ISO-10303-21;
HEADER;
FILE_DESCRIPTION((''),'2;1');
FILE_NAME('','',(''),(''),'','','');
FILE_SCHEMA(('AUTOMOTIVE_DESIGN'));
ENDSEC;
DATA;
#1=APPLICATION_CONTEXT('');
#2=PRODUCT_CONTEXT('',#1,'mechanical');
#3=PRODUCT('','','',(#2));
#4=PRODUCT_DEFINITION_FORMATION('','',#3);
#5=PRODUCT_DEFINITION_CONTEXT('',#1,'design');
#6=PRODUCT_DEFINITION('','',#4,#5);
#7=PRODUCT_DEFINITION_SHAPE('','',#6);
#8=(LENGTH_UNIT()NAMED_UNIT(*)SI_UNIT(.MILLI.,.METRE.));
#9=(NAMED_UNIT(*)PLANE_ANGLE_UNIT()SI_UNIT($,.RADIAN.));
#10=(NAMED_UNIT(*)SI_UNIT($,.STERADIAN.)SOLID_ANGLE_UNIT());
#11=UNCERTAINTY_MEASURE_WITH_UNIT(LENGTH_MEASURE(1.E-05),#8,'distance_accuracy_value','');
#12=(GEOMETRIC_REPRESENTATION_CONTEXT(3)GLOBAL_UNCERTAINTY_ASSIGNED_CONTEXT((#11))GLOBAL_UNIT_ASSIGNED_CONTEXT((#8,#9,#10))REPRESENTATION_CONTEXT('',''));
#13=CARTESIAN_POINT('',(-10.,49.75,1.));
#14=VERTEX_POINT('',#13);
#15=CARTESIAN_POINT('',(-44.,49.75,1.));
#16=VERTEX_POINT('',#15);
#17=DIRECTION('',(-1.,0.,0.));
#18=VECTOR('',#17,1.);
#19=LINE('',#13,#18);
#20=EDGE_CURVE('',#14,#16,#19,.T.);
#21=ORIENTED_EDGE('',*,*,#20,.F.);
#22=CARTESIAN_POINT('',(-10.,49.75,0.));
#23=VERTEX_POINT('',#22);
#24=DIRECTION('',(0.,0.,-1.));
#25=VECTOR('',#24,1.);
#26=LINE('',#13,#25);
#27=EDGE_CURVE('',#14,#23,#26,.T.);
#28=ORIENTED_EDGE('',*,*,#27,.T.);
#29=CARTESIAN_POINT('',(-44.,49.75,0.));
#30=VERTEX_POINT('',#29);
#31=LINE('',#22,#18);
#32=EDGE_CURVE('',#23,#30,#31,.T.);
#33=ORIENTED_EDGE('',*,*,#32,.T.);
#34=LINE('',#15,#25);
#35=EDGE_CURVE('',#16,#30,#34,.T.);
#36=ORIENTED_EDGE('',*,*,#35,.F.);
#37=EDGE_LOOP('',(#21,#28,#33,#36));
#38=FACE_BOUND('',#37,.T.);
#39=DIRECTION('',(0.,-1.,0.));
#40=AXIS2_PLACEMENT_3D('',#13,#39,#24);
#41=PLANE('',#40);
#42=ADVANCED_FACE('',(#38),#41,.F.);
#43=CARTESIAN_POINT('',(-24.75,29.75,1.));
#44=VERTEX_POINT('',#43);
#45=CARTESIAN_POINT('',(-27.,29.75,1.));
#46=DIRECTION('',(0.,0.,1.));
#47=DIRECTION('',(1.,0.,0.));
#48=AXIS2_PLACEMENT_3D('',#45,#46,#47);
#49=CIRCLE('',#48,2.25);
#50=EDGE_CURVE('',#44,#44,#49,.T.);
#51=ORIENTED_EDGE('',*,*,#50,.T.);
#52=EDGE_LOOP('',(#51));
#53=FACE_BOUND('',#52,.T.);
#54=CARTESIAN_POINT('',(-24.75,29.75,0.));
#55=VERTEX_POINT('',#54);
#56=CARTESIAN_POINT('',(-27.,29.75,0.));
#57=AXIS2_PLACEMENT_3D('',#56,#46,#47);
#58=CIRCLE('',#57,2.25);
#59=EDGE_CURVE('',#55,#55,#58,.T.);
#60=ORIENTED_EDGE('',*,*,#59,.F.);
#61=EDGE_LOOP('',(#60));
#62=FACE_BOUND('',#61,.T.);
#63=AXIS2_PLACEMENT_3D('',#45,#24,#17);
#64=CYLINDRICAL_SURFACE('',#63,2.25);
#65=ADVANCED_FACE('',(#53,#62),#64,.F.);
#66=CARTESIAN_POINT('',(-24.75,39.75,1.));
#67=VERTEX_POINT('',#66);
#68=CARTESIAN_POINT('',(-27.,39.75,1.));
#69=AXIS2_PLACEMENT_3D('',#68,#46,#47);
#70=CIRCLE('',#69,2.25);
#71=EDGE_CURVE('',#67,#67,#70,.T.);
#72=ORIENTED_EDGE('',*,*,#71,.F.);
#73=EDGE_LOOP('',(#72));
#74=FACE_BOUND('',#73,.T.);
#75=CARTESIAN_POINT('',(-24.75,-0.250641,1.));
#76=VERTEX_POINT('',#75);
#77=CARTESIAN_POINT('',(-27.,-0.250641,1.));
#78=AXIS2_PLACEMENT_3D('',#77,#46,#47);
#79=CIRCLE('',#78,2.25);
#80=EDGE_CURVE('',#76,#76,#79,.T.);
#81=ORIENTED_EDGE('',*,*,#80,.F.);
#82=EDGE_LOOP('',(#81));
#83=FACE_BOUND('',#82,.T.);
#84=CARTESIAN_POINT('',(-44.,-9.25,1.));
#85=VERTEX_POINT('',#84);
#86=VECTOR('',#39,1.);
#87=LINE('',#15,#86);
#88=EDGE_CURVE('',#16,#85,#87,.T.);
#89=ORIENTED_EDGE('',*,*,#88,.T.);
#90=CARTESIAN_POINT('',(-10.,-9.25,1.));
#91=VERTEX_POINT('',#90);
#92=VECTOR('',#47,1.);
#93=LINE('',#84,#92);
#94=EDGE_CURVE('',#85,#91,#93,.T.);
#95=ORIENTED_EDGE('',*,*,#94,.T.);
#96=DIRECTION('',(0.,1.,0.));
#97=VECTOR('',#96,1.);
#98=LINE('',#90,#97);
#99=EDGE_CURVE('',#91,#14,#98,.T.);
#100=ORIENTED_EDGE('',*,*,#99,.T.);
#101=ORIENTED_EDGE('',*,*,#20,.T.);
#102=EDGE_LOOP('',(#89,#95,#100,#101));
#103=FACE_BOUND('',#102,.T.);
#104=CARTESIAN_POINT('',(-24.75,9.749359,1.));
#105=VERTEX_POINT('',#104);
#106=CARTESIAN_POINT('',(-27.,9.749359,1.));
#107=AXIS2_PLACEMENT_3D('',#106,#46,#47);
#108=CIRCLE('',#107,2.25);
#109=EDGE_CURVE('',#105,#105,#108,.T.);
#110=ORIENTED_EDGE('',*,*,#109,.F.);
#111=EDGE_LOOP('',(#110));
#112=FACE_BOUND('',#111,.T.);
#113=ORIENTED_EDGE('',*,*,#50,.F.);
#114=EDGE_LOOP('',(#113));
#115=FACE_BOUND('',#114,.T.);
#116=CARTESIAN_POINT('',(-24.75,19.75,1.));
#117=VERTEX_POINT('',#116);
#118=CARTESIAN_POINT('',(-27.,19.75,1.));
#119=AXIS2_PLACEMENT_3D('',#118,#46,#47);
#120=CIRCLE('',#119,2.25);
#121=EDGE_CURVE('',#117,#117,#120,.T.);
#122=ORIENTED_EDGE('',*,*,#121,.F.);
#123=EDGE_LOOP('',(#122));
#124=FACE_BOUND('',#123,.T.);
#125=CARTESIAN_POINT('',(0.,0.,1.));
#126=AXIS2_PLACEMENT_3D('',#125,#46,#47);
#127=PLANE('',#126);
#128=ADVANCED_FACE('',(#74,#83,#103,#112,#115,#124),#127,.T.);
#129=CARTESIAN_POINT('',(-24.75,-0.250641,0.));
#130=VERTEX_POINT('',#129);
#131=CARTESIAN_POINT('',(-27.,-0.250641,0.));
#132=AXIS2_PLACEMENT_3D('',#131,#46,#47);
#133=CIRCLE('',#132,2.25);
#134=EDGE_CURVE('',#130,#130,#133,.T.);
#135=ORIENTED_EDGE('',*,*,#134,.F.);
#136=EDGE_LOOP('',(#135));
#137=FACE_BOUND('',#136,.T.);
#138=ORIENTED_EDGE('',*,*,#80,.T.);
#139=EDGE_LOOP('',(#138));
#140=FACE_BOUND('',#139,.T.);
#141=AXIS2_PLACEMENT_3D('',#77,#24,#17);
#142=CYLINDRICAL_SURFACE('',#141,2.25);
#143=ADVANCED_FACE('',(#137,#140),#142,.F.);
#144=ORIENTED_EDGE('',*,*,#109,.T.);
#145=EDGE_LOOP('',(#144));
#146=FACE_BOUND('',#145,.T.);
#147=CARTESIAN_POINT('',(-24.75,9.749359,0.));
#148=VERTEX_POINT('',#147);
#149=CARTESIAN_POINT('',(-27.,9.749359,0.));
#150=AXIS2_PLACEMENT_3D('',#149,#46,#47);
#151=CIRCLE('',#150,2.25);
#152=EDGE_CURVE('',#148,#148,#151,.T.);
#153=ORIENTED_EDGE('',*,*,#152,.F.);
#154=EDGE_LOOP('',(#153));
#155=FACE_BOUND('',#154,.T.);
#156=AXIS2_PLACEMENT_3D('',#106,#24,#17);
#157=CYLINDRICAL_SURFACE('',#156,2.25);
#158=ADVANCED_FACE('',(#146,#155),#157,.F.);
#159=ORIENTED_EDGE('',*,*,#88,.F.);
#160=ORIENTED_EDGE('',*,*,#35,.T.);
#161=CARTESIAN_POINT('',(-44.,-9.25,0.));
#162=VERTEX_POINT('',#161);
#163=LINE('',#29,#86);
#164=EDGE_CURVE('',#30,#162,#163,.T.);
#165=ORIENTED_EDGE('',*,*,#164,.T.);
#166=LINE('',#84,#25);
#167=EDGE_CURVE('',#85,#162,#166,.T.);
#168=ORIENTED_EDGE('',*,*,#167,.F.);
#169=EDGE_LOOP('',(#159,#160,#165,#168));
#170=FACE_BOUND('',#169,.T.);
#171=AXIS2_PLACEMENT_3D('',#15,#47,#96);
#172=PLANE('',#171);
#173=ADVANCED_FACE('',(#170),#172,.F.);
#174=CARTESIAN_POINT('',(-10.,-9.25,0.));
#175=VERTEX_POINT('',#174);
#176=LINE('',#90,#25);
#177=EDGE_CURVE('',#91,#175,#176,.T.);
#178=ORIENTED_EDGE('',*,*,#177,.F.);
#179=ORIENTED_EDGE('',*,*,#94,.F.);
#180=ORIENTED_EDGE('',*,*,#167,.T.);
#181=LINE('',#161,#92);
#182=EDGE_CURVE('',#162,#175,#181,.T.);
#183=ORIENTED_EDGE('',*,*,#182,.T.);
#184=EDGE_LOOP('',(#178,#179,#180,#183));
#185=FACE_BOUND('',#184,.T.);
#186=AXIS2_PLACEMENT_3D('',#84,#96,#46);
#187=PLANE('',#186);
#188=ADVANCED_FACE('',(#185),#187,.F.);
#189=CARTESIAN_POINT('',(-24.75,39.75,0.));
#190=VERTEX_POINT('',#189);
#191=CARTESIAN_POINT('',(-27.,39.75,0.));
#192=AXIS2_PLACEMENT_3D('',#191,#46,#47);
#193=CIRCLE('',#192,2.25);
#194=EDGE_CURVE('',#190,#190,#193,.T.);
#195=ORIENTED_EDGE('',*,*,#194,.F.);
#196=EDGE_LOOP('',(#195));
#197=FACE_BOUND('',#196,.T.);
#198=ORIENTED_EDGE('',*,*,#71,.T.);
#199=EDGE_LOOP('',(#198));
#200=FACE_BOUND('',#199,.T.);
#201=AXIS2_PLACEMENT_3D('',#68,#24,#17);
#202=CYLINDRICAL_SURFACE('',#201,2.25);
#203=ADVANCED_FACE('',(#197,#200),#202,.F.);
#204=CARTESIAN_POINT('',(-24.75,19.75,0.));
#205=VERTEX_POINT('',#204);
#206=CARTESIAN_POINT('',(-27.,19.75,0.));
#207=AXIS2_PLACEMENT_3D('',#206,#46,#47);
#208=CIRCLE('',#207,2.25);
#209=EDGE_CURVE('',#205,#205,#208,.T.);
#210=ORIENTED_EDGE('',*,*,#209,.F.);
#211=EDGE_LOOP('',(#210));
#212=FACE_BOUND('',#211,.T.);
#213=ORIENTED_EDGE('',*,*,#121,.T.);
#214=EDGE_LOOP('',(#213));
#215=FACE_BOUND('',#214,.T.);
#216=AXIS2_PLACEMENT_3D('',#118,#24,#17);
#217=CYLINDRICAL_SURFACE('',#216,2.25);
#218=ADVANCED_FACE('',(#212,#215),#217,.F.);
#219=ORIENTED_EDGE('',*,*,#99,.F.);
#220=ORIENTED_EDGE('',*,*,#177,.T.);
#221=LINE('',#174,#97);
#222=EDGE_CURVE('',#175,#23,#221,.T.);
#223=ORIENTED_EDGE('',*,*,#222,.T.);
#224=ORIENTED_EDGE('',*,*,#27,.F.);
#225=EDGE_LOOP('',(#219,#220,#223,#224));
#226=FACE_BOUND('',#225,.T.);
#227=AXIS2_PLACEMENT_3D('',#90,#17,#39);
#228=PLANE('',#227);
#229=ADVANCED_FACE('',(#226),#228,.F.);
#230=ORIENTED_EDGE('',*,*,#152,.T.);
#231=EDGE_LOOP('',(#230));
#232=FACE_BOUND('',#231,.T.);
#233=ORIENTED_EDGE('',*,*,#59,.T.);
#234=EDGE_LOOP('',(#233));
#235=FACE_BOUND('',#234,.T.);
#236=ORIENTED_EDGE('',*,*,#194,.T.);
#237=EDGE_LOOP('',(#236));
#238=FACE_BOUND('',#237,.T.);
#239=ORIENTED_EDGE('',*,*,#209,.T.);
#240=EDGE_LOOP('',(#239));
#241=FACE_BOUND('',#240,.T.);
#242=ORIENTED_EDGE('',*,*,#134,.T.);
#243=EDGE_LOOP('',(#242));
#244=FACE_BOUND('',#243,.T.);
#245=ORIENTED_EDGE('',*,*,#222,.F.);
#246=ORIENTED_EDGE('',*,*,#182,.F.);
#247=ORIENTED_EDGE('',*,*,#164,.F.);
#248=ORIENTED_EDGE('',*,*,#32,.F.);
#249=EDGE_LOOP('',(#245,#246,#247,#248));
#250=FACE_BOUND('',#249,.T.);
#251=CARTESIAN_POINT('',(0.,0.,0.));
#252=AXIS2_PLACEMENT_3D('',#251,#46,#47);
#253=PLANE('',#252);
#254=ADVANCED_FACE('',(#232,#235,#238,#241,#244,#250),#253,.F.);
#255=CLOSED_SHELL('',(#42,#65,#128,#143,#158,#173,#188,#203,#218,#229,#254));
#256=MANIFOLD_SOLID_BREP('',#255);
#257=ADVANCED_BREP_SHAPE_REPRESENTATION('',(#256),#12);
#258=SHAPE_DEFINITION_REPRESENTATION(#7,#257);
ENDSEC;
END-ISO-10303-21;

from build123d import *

# Parameters (mm, degrees)
SKETCH1_W           = 34
SKETCH1_H           = 59
SKETCH1_R           = 2.25
BOSS_EXTRUDE1_DEPTH = 1


with BuildPart() as part:
    # Sketch1 → Boss-Extrude1 (new body)
    with BuildSketch(Plane.XY):
        with Locations((-27, 20.25)):
            Rectangle(SKETCH1_W, SKETCH1_H)
        with Locations((-27, 39.75)):
            Circle(SKETCH1_R, mode=Mode.SUBTRACT)
        with Locations((-27, 29.75)):
            Circle(SKETCH1_R, mode=Mode.SUBTRACT)
        with Locations((-27, 19.75)):
            Circle(SKETCH1_R, mode=Mode.SUBTRACT)
        with Locations((-27, 9.749358603)):
            Circle(SKETCH1_R, mode=Mode.SUBTRACT)
        with Locations((-27, -0.250641397)):
            Circle(SKETCH1_R, mode=Mode.SUBTRACT)
    extrude(amount=BOSS_EXTRUDE1_DEPTH)


solid = part.part
